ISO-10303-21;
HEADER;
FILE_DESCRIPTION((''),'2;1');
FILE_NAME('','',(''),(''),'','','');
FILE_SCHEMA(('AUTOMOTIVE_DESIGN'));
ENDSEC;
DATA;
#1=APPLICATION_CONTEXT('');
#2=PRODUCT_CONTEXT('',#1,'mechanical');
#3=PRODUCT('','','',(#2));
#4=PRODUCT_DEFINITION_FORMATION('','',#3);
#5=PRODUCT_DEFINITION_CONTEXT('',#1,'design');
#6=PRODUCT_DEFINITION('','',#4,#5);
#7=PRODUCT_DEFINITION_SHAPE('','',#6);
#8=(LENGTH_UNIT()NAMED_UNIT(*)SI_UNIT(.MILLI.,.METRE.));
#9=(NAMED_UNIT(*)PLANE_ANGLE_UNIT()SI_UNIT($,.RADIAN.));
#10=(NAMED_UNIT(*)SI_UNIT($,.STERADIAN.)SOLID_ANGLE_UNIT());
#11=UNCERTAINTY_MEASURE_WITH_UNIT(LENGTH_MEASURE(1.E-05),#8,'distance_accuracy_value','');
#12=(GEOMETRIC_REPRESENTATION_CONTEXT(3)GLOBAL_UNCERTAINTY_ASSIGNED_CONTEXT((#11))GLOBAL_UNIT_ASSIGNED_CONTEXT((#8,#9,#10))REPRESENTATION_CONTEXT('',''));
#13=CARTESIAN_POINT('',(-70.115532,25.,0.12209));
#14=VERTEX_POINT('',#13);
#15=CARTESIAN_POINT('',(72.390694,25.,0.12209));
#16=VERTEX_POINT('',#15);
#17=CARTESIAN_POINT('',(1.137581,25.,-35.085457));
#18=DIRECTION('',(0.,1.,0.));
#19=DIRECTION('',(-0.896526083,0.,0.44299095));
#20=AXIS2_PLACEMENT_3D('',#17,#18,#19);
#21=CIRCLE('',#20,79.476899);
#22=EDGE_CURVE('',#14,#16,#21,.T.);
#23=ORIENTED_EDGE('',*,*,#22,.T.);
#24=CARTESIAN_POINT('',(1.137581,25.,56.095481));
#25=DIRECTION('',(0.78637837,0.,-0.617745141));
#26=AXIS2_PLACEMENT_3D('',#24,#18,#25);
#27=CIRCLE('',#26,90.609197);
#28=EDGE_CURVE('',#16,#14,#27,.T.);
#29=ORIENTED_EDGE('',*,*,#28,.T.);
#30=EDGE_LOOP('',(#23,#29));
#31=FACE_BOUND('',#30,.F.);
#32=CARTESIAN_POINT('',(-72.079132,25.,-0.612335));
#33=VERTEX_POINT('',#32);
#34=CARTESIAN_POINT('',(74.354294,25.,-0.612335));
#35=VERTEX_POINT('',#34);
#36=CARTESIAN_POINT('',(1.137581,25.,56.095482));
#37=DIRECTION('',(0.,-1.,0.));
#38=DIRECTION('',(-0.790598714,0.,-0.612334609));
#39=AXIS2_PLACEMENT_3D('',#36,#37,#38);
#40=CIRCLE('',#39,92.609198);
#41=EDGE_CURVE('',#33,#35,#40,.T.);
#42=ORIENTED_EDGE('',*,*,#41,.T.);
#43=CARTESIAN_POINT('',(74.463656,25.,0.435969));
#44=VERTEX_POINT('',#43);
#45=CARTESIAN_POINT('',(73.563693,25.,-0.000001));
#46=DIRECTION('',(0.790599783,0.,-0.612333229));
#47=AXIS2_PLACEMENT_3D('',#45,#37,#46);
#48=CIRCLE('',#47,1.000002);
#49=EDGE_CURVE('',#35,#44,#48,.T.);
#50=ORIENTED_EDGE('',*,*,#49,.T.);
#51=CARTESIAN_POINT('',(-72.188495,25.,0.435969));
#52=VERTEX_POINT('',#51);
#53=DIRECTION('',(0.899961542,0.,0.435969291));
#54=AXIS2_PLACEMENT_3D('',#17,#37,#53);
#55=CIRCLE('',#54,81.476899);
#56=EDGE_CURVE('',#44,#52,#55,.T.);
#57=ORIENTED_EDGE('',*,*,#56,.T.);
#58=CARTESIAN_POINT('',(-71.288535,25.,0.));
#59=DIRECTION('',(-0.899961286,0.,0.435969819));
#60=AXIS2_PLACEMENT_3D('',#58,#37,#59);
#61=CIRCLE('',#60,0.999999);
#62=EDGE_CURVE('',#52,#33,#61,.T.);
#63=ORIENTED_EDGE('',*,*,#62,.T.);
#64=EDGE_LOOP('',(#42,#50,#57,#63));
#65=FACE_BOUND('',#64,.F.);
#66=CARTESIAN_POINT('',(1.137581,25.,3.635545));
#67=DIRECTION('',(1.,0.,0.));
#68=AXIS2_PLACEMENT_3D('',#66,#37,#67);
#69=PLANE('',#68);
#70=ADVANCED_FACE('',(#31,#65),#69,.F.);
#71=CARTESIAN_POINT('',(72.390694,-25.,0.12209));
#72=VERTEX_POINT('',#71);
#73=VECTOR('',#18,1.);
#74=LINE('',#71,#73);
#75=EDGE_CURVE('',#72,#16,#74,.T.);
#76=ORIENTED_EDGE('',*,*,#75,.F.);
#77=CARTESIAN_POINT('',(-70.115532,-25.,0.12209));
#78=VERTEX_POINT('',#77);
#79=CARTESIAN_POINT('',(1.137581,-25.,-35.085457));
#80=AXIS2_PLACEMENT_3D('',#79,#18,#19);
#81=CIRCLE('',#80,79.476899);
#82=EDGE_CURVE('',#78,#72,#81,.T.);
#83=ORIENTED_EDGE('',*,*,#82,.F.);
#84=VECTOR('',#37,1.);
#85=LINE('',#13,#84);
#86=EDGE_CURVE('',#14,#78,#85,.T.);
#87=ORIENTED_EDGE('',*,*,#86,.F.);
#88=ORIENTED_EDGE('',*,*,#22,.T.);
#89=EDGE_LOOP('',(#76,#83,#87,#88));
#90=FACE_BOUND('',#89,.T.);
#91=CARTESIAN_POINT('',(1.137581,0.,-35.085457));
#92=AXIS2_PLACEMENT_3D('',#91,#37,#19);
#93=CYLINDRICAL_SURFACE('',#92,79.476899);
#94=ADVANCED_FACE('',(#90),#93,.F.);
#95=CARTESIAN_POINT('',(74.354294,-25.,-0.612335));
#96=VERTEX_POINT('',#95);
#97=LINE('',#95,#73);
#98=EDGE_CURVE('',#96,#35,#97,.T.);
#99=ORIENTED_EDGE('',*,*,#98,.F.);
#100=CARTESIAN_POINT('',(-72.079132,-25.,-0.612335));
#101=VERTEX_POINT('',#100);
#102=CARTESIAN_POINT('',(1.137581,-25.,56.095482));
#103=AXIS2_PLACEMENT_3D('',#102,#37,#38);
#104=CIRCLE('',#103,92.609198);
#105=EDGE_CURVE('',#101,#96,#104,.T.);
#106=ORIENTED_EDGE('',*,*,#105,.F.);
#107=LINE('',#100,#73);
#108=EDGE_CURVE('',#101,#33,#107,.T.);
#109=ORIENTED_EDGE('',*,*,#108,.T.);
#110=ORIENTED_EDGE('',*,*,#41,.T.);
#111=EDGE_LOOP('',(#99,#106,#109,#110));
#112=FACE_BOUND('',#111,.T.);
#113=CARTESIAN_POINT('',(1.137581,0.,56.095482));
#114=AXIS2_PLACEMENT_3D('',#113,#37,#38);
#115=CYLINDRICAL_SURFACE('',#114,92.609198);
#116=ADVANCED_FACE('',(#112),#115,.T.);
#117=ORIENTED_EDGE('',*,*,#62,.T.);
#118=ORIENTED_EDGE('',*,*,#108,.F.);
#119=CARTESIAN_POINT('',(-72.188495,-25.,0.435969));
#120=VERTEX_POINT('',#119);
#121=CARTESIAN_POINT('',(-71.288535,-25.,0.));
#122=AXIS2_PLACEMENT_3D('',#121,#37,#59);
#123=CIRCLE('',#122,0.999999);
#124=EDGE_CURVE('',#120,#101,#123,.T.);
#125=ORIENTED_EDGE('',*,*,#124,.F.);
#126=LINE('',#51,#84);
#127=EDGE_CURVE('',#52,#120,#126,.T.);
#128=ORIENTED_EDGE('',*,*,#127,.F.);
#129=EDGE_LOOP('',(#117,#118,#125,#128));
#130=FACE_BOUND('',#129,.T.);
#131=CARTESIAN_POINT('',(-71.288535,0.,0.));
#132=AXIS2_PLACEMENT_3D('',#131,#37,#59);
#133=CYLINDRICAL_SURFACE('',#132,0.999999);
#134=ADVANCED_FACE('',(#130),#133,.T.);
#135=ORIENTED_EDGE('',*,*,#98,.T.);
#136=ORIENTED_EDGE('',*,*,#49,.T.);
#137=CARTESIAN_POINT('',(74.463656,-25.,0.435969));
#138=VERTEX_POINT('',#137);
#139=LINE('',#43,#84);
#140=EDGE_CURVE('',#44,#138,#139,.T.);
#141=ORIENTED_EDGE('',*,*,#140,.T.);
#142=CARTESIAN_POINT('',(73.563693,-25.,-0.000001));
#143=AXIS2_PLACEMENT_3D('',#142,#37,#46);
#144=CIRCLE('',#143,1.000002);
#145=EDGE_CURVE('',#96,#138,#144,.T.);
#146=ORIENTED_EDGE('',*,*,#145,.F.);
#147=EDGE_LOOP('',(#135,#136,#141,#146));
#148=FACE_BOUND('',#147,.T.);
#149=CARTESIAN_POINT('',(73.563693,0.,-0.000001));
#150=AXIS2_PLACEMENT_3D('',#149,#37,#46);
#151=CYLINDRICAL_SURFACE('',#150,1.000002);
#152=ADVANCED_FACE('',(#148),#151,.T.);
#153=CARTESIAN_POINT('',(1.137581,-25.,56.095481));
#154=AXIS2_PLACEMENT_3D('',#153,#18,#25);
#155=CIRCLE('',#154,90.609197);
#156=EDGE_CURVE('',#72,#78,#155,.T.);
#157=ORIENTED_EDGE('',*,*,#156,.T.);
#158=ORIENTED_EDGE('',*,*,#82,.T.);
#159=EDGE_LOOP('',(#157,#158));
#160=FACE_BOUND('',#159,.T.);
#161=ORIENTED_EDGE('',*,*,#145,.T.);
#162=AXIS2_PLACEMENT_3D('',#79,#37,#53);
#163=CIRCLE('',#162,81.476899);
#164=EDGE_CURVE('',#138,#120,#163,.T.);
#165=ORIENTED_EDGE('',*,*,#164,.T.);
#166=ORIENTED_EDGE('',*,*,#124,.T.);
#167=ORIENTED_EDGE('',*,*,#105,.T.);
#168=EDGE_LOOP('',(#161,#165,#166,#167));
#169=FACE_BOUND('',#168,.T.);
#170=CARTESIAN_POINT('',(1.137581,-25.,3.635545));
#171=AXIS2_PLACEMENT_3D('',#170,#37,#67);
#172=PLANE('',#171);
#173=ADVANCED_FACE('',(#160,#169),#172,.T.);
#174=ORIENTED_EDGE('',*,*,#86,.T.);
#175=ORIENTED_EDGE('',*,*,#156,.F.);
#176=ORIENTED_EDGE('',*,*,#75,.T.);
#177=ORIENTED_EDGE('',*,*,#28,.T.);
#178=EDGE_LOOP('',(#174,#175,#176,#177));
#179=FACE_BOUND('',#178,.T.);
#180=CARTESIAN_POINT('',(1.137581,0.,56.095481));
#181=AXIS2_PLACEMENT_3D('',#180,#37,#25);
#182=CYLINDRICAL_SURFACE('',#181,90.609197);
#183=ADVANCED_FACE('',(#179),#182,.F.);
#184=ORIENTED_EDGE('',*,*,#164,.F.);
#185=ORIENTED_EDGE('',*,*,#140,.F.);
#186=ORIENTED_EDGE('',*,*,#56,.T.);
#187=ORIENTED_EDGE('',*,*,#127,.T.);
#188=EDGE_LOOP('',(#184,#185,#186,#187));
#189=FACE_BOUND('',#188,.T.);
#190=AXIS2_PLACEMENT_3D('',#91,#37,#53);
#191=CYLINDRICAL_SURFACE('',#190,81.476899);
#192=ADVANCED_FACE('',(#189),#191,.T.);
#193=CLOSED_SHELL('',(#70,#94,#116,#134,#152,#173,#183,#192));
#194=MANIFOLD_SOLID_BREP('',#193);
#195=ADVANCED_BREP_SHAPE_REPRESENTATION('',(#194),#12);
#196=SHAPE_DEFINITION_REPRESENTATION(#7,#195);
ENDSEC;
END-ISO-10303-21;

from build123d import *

# Parameters (mm, degrees)
F1_DEPTH = 25


with BuildPart() as f1:
    # F0 (on Front) → F1 (new body, symmetric)
    with BuildSketch(Plane.XZ):
        with BuildLine():
            ThreePointArc((74.354294, -0.612335), (74.558297, -0.10376), (74.463656, 0.435969))
            ThreePointArc((74.463656, 0.435969), (1.137581, 46.391442), (-72.188495, 0.435969))
            ThreePointArc((-72.188495, 0.435969), (-72.283136, -0.10376), (-72.079132, -0.612335))
            ThreePointArc((-72.079132, -0.612335), (1.137581, -36.513716), (74.354294, -0.612335))
        make_face()
        with BuildLine():
            ThreePointArc((-70.115532, 0.12209), (1.137581, 44.391442), (72.390694, 0.12209))
            ThreePointArc((72.390694, 0.12209), (1.137581, -34.513716), (-70.115532, 0.12209))
        make_face(mode=Mode.SUBTRACT)
    extrude(amount=F1_DEPTH, both=True)


solid = f1.part
